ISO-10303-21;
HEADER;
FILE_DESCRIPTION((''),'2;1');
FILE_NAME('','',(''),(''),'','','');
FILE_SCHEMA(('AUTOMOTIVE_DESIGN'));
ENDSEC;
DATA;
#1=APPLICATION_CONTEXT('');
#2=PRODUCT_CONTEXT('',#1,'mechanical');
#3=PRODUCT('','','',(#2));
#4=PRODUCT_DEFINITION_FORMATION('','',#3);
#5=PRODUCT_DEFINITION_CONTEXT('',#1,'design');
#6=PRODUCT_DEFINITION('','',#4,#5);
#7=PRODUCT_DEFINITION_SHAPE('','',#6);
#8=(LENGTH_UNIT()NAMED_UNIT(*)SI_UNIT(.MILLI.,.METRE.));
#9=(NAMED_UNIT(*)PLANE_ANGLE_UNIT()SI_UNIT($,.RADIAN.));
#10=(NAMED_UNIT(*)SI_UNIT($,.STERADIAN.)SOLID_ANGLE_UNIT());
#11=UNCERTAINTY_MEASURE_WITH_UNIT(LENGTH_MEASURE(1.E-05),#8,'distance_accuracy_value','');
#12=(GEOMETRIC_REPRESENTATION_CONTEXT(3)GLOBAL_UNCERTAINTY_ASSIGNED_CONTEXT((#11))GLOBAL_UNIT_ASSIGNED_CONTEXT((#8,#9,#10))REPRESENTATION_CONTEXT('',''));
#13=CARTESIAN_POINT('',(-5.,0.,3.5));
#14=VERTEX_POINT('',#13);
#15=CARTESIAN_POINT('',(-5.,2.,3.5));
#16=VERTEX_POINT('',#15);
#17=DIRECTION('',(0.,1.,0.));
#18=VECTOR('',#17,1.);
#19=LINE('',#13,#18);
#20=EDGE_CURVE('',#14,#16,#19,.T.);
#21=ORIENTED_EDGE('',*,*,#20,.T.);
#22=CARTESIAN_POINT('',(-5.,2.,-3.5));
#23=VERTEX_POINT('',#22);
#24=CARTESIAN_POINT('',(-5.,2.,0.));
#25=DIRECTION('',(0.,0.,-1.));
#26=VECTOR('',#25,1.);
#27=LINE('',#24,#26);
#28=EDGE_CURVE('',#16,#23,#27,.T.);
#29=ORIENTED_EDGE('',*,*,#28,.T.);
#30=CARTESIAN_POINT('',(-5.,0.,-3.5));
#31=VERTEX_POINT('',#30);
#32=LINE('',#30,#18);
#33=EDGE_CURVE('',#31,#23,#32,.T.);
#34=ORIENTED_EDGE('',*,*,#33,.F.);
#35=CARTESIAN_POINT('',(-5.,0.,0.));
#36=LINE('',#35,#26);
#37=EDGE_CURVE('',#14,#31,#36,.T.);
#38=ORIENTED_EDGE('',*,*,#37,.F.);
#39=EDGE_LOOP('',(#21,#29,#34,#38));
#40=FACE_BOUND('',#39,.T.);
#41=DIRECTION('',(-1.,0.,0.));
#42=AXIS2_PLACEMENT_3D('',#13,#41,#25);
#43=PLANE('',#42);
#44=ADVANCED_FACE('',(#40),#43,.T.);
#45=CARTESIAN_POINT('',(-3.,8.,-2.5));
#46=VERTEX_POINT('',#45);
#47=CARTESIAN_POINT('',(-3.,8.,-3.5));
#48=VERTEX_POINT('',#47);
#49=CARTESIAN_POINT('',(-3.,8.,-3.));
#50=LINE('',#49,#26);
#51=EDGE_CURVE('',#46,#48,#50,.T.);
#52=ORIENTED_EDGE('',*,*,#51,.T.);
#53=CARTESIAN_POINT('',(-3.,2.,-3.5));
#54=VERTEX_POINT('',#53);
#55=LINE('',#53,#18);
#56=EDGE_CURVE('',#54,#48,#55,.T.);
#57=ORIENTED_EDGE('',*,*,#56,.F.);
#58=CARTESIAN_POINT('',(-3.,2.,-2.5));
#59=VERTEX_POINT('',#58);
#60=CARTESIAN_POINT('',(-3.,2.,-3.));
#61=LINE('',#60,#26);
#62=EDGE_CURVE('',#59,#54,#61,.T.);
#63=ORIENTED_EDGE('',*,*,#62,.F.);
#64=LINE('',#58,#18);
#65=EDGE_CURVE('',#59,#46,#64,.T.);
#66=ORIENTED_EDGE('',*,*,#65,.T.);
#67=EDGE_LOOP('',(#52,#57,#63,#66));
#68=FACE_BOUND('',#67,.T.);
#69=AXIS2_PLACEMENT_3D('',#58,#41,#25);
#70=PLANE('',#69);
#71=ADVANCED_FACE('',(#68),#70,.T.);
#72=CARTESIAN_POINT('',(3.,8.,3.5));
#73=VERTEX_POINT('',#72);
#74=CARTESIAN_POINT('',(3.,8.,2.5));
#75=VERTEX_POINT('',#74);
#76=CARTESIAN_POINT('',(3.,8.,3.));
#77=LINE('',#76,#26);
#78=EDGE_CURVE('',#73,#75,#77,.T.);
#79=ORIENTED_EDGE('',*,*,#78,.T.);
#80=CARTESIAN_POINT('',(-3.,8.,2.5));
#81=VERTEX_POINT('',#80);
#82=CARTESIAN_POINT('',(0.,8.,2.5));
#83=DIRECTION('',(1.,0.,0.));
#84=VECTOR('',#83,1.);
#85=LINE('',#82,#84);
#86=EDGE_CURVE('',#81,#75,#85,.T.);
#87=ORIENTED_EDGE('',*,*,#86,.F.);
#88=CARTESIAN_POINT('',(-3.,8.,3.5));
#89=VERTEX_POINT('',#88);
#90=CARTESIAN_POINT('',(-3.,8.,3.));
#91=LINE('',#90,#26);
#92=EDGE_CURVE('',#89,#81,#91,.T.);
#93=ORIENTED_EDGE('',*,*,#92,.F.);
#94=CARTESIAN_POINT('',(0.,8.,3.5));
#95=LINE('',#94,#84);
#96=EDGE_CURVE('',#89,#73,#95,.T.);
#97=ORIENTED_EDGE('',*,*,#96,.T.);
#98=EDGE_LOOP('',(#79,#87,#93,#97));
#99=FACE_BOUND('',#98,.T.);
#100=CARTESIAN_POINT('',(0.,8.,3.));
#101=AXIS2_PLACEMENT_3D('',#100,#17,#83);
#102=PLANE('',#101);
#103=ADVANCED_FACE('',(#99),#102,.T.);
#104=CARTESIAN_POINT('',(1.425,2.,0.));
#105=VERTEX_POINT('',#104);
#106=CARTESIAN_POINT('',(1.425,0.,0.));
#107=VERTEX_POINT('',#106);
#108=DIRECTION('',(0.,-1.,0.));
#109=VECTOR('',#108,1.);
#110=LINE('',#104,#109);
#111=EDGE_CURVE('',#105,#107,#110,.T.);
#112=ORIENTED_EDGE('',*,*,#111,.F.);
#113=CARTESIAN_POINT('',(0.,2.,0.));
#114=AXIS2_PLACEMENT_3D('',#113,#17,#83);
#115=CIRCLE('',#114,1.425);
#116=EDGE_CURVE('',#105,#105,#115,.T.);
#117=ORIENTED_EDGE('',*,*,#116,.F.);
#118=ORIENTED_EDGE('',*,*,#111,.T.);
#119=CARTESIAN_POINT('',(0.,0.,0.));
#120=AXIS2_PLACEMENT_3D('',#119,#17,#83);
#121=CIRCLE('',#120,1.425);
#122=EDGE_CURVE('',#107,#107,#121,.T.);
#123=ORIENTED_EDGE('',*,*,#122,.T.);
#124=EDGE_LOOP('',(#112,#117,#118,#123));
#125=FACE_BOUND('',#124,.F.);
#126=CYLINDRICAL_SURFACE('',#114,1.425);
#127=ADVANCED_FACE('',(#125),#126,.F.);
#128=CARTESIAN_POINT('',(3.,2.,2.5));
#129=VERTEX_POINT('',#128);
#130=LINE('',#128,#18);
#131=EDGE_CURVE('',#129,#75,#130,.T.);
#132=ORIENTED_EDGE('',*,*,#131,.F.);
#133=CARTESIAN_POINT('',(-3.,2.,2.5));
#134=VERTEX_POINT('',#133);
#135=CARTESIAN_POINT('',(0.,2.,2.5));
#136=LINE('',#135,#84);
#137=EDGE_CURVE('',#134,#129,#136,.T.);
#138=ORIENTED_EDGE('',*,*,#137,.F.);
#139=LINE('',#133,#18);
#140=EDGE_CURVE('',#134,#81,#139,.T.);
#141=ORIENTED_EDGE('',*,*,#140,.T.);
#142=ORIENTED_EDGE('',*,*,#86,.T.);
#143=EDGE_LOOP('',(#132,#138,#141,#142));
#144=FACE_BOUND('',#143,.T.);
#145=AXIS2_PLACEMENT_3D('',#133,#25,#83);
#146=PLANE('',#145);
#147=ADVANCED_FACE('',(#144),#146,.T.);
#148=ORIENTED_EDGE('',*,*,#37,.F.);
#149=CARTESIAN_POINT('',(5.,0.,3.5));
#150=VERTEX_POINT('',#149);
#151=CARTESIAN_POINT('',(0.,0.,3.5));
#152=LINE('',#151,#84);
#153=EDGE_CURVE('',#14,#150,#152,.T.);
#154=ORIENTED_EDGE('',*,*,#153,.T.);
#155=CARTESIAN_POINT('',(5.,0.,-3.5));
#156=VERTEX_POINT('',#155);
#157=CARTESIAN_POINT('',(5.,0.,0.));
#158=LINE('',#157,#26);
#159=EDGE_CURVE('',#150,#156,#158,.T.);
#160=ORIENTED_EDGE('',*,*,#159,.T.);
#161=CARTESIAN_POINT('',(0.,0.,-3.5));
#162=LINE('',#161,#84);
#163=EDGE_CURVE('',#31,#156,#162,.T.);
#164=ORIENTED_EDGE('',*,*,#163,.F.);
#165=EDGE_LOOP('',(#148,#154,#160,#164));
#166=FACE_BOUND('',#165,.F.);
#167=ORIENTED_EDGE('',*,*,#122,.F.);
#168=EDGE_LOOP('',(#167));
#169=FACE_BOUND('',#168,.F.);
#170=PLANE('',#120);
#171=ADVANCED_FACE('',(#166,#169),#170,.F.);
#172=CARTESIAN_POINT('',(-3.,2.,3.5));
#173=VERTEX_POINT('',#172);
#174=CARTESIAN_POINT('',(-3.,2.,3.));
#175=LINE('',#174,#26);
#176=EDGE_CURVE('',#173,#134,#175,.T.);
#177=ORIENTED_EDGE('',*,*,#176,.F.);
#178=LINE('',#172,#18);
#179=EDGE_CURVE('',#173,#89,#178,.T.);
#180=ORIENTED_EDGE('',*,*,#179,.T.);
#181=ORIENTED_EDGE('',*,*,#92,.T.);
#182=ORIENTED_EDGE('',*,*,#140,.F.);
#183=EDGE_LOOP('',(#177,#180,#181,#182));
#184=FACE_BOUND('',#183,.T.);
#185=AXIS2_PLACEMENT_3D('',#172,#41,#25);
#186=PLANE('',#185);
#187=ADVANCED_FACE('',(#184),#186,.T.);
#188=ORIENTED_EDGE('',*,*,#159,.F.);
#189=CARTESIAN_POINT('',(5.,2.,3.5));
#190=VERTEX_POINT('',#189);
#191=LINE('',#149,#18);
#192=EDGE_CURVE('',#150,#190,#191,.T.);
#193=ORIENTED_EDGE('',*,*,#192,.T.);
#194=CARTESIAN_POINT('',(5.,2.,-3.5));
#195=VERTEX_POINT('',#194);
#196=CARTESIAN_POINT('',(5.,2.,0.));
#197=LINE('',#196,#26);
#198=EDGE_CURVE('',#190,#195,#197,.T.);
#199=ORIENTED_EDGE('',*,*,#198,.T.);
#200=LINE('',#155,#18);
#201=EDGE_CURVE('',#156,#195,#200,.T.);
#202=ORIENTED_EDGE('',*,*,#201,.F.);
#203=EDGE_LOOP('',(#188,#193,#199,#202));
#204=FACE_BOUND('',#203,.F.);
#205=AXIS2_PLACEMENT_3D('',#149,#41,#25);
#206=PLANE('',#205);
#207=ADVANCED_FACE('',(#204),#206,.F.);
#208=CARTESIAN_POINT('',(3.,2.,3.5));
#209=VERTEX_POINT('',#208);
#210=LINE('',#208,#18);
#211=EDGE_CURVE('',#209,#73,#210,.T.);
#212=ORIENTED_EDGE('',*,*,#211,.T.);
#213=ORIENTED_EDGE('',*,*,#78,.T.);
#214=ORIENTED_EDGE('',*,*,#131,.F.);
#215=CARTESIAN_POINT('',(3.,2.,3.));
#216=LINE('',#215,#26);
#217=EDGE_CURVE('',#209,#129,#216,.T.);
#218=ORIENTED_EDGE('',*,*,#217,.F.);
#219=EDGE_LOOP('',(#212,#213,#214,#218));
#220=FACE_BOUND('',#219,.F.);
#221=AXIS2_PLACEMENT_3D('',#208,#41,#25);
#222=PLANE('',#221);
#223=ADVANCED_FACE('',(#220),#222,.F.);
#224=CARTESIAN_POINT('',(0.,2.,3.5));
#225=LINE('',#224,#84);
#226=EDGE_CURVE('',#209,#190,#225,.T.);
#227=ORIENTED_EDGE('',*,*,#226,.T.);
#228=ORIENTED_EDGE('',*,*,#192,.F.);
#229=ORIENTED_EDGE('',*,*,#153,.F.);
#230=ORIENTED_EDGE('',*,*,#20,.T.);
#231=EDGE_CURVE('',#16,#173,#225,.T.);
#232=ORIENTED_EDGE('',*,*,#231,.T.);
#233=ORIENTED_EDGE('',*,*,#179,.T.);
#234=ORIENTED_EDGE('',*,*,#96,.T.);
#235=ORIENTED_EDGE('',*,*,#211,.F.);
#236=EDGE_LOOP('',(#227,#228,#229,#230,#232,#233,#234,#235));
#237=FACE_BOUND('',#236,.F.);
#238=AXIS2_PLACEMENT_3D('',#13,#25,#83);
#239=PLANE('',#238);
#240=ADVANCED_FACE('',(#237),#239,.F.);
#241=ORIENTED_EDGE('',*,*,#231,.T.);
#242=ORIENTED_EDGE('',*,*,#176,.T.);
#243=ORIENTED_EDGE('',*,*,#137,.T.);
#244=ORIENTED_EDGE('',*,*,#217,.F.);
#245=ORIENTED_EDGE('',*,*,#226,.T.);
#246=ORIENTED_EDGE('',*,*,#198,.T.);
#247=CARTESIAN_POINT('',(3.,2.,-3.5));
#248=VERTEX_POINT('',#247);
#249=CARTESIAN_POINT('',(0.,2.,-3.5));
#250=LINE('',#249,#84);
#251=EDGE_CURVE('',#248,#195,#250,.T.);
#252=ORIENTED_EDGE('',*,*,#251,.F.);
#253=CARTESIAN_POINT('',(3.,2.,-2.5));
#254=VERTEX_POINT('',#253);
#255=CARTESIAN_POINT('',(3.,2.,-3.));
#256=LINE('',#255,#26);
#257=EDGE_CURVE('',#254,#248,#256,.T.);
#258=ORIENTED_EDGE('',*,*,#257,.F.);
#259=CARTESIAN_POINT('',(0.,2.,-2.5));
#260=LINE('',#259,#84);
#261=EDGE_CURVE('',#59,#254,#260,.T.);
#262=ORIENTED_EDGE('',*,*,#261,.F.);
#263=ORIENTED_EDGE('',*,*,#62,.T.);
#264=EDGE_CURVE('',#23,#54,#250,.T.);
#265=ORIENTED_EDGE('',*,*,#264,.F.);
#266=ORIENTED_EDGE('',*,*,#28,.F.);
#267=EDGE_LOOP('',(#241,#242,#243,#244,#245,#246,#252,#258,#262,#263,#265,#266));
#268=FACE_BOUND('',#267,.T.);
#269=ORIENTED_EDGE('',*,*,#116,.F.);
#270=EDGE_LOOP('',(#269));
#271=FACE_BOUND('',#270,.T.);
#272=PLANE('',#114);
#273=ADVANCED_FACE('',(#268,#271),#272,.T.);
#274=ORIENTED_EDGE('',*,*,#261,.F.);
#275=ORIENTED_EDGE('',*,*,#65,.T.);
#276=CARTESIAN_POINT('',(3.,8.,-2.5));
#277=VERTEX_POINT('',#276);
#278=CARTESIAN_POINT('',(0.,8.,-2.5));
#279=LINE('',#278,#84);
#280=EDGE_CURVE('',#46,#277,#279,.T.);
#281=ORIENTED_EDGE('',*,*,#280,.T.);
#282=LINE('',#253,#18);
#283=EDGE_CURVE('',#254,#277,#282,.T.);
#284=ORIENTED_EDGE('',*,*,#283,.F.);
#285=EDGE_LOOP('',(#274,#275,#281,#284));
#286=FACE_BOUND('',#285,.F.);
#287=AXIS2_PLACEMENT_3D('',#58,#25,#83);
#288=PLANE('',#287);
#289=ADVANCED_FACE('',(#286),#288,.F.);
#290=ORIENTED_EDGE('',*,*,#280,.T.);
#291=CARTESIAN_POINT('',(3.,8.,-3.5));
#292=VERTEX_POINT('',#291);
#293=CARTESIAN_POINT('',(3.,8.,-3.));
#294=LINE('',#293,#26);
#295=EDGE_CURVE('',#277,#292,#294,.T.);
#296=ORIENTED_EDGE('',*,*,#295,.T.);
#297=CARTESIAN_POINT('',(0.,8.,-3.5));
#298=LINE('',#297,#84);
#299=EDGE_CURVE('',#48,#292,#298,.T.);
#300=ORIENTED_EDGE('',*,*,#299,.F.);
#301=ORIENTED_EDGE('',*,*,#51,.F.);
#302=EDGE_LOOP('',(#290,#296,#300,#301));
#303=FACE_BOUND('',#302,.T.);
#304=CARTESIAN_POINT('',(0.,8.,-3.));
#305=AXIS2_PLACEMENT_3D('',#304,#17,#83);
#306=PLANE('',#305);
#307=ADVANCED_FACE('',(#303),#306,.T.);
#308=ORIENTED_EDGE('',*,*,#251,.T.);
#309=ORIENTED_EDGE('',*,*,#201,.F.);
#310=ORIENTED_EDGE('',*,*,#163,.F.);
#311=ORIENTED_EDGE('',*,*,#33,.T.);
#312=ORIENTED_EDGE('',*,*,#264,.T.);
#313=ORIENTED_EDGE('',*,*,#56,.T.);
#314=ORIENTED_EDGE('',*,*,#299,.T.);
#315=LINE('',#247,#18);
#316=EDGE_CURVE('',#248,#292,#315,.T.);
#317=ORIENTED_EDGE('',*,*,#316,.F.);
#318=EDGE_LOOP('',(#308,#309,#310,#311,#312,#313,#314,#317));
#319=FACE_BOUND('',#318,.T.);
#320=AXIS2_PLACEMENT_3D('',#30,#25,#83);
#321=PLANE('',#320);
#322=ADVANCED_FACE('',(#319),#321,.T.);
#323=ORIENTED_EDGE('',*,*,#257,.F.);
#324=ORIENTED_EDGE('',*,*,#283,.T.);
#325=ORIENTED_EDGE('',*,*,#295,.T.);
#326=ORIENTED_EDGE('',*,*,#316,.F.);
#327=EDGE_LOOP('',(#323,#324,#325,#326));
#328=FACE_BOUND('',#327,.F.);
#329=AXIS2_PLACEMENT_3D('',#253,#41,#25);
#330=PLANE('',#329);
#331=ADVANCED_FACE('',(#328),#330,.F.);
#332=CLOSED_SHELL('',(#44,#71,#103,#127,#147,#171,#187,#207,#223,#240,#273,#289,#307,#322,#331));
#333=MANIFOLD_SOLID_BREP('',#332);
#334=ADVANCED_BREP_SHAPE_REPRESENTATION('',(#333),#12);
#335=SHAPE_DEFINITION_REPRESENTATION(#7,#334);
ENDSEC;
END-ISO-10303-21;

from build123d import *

# Parameters (mm, degrees)
SKETCH1_W           = 10
SKETCH1_H           = 7
BOSS_EXTRUDE1_DEPTH = 2
SKETCH2_R           = 1.425
CUT_EXTRUDE1_DEPTH  = 2
SKETCH3_W           = 6
SKETCH3_H           = 1
BOSS_EXTRUDE2_DEPTH = 6


with BuildPart() as part:
    # Sketch1 → Boss-Extrude1 (new body)
    with BuildSketch(Plane(origin=(0, 0, 0), x_dir=(1, 0, 0), z_dir=(0, 1, 0))):
        Rectangle(SKETCH1_W, SKETCH1_H)
    extrude(amount=BOSS_EXTRUDE1_DEPTH)

    # Sketch2 → Cut-Extrude1 (cut)
    with BuildSketch(Plane(origin=(0, 2, 0), x_dir=(1, 0, 0), z_dir=(0, 1, 0))):
        Circle(SKETCH2_R)
    extrude(amount=-CUT_EXTRUDE1_DEPTH, mode=Mode.SUBTRACT)

    # Sketch3 → Boss-Extrude2 (add)
    with BuildSketch(Plane(origin=(0, 2, 0), x_dir=(1, 0, 0), z_dir=(0, 1, 0))):
        with Locations((0, 3)):
            Rectangle(SKETCH3_W, SKETCH3_H)
        with Locations((0, -3)):
            Rectangle(SKETCH3_W, SKETCH3_H)
    extrude(amount=BOSS_EXTRUDE2_DEPTH)


solid = part.part
